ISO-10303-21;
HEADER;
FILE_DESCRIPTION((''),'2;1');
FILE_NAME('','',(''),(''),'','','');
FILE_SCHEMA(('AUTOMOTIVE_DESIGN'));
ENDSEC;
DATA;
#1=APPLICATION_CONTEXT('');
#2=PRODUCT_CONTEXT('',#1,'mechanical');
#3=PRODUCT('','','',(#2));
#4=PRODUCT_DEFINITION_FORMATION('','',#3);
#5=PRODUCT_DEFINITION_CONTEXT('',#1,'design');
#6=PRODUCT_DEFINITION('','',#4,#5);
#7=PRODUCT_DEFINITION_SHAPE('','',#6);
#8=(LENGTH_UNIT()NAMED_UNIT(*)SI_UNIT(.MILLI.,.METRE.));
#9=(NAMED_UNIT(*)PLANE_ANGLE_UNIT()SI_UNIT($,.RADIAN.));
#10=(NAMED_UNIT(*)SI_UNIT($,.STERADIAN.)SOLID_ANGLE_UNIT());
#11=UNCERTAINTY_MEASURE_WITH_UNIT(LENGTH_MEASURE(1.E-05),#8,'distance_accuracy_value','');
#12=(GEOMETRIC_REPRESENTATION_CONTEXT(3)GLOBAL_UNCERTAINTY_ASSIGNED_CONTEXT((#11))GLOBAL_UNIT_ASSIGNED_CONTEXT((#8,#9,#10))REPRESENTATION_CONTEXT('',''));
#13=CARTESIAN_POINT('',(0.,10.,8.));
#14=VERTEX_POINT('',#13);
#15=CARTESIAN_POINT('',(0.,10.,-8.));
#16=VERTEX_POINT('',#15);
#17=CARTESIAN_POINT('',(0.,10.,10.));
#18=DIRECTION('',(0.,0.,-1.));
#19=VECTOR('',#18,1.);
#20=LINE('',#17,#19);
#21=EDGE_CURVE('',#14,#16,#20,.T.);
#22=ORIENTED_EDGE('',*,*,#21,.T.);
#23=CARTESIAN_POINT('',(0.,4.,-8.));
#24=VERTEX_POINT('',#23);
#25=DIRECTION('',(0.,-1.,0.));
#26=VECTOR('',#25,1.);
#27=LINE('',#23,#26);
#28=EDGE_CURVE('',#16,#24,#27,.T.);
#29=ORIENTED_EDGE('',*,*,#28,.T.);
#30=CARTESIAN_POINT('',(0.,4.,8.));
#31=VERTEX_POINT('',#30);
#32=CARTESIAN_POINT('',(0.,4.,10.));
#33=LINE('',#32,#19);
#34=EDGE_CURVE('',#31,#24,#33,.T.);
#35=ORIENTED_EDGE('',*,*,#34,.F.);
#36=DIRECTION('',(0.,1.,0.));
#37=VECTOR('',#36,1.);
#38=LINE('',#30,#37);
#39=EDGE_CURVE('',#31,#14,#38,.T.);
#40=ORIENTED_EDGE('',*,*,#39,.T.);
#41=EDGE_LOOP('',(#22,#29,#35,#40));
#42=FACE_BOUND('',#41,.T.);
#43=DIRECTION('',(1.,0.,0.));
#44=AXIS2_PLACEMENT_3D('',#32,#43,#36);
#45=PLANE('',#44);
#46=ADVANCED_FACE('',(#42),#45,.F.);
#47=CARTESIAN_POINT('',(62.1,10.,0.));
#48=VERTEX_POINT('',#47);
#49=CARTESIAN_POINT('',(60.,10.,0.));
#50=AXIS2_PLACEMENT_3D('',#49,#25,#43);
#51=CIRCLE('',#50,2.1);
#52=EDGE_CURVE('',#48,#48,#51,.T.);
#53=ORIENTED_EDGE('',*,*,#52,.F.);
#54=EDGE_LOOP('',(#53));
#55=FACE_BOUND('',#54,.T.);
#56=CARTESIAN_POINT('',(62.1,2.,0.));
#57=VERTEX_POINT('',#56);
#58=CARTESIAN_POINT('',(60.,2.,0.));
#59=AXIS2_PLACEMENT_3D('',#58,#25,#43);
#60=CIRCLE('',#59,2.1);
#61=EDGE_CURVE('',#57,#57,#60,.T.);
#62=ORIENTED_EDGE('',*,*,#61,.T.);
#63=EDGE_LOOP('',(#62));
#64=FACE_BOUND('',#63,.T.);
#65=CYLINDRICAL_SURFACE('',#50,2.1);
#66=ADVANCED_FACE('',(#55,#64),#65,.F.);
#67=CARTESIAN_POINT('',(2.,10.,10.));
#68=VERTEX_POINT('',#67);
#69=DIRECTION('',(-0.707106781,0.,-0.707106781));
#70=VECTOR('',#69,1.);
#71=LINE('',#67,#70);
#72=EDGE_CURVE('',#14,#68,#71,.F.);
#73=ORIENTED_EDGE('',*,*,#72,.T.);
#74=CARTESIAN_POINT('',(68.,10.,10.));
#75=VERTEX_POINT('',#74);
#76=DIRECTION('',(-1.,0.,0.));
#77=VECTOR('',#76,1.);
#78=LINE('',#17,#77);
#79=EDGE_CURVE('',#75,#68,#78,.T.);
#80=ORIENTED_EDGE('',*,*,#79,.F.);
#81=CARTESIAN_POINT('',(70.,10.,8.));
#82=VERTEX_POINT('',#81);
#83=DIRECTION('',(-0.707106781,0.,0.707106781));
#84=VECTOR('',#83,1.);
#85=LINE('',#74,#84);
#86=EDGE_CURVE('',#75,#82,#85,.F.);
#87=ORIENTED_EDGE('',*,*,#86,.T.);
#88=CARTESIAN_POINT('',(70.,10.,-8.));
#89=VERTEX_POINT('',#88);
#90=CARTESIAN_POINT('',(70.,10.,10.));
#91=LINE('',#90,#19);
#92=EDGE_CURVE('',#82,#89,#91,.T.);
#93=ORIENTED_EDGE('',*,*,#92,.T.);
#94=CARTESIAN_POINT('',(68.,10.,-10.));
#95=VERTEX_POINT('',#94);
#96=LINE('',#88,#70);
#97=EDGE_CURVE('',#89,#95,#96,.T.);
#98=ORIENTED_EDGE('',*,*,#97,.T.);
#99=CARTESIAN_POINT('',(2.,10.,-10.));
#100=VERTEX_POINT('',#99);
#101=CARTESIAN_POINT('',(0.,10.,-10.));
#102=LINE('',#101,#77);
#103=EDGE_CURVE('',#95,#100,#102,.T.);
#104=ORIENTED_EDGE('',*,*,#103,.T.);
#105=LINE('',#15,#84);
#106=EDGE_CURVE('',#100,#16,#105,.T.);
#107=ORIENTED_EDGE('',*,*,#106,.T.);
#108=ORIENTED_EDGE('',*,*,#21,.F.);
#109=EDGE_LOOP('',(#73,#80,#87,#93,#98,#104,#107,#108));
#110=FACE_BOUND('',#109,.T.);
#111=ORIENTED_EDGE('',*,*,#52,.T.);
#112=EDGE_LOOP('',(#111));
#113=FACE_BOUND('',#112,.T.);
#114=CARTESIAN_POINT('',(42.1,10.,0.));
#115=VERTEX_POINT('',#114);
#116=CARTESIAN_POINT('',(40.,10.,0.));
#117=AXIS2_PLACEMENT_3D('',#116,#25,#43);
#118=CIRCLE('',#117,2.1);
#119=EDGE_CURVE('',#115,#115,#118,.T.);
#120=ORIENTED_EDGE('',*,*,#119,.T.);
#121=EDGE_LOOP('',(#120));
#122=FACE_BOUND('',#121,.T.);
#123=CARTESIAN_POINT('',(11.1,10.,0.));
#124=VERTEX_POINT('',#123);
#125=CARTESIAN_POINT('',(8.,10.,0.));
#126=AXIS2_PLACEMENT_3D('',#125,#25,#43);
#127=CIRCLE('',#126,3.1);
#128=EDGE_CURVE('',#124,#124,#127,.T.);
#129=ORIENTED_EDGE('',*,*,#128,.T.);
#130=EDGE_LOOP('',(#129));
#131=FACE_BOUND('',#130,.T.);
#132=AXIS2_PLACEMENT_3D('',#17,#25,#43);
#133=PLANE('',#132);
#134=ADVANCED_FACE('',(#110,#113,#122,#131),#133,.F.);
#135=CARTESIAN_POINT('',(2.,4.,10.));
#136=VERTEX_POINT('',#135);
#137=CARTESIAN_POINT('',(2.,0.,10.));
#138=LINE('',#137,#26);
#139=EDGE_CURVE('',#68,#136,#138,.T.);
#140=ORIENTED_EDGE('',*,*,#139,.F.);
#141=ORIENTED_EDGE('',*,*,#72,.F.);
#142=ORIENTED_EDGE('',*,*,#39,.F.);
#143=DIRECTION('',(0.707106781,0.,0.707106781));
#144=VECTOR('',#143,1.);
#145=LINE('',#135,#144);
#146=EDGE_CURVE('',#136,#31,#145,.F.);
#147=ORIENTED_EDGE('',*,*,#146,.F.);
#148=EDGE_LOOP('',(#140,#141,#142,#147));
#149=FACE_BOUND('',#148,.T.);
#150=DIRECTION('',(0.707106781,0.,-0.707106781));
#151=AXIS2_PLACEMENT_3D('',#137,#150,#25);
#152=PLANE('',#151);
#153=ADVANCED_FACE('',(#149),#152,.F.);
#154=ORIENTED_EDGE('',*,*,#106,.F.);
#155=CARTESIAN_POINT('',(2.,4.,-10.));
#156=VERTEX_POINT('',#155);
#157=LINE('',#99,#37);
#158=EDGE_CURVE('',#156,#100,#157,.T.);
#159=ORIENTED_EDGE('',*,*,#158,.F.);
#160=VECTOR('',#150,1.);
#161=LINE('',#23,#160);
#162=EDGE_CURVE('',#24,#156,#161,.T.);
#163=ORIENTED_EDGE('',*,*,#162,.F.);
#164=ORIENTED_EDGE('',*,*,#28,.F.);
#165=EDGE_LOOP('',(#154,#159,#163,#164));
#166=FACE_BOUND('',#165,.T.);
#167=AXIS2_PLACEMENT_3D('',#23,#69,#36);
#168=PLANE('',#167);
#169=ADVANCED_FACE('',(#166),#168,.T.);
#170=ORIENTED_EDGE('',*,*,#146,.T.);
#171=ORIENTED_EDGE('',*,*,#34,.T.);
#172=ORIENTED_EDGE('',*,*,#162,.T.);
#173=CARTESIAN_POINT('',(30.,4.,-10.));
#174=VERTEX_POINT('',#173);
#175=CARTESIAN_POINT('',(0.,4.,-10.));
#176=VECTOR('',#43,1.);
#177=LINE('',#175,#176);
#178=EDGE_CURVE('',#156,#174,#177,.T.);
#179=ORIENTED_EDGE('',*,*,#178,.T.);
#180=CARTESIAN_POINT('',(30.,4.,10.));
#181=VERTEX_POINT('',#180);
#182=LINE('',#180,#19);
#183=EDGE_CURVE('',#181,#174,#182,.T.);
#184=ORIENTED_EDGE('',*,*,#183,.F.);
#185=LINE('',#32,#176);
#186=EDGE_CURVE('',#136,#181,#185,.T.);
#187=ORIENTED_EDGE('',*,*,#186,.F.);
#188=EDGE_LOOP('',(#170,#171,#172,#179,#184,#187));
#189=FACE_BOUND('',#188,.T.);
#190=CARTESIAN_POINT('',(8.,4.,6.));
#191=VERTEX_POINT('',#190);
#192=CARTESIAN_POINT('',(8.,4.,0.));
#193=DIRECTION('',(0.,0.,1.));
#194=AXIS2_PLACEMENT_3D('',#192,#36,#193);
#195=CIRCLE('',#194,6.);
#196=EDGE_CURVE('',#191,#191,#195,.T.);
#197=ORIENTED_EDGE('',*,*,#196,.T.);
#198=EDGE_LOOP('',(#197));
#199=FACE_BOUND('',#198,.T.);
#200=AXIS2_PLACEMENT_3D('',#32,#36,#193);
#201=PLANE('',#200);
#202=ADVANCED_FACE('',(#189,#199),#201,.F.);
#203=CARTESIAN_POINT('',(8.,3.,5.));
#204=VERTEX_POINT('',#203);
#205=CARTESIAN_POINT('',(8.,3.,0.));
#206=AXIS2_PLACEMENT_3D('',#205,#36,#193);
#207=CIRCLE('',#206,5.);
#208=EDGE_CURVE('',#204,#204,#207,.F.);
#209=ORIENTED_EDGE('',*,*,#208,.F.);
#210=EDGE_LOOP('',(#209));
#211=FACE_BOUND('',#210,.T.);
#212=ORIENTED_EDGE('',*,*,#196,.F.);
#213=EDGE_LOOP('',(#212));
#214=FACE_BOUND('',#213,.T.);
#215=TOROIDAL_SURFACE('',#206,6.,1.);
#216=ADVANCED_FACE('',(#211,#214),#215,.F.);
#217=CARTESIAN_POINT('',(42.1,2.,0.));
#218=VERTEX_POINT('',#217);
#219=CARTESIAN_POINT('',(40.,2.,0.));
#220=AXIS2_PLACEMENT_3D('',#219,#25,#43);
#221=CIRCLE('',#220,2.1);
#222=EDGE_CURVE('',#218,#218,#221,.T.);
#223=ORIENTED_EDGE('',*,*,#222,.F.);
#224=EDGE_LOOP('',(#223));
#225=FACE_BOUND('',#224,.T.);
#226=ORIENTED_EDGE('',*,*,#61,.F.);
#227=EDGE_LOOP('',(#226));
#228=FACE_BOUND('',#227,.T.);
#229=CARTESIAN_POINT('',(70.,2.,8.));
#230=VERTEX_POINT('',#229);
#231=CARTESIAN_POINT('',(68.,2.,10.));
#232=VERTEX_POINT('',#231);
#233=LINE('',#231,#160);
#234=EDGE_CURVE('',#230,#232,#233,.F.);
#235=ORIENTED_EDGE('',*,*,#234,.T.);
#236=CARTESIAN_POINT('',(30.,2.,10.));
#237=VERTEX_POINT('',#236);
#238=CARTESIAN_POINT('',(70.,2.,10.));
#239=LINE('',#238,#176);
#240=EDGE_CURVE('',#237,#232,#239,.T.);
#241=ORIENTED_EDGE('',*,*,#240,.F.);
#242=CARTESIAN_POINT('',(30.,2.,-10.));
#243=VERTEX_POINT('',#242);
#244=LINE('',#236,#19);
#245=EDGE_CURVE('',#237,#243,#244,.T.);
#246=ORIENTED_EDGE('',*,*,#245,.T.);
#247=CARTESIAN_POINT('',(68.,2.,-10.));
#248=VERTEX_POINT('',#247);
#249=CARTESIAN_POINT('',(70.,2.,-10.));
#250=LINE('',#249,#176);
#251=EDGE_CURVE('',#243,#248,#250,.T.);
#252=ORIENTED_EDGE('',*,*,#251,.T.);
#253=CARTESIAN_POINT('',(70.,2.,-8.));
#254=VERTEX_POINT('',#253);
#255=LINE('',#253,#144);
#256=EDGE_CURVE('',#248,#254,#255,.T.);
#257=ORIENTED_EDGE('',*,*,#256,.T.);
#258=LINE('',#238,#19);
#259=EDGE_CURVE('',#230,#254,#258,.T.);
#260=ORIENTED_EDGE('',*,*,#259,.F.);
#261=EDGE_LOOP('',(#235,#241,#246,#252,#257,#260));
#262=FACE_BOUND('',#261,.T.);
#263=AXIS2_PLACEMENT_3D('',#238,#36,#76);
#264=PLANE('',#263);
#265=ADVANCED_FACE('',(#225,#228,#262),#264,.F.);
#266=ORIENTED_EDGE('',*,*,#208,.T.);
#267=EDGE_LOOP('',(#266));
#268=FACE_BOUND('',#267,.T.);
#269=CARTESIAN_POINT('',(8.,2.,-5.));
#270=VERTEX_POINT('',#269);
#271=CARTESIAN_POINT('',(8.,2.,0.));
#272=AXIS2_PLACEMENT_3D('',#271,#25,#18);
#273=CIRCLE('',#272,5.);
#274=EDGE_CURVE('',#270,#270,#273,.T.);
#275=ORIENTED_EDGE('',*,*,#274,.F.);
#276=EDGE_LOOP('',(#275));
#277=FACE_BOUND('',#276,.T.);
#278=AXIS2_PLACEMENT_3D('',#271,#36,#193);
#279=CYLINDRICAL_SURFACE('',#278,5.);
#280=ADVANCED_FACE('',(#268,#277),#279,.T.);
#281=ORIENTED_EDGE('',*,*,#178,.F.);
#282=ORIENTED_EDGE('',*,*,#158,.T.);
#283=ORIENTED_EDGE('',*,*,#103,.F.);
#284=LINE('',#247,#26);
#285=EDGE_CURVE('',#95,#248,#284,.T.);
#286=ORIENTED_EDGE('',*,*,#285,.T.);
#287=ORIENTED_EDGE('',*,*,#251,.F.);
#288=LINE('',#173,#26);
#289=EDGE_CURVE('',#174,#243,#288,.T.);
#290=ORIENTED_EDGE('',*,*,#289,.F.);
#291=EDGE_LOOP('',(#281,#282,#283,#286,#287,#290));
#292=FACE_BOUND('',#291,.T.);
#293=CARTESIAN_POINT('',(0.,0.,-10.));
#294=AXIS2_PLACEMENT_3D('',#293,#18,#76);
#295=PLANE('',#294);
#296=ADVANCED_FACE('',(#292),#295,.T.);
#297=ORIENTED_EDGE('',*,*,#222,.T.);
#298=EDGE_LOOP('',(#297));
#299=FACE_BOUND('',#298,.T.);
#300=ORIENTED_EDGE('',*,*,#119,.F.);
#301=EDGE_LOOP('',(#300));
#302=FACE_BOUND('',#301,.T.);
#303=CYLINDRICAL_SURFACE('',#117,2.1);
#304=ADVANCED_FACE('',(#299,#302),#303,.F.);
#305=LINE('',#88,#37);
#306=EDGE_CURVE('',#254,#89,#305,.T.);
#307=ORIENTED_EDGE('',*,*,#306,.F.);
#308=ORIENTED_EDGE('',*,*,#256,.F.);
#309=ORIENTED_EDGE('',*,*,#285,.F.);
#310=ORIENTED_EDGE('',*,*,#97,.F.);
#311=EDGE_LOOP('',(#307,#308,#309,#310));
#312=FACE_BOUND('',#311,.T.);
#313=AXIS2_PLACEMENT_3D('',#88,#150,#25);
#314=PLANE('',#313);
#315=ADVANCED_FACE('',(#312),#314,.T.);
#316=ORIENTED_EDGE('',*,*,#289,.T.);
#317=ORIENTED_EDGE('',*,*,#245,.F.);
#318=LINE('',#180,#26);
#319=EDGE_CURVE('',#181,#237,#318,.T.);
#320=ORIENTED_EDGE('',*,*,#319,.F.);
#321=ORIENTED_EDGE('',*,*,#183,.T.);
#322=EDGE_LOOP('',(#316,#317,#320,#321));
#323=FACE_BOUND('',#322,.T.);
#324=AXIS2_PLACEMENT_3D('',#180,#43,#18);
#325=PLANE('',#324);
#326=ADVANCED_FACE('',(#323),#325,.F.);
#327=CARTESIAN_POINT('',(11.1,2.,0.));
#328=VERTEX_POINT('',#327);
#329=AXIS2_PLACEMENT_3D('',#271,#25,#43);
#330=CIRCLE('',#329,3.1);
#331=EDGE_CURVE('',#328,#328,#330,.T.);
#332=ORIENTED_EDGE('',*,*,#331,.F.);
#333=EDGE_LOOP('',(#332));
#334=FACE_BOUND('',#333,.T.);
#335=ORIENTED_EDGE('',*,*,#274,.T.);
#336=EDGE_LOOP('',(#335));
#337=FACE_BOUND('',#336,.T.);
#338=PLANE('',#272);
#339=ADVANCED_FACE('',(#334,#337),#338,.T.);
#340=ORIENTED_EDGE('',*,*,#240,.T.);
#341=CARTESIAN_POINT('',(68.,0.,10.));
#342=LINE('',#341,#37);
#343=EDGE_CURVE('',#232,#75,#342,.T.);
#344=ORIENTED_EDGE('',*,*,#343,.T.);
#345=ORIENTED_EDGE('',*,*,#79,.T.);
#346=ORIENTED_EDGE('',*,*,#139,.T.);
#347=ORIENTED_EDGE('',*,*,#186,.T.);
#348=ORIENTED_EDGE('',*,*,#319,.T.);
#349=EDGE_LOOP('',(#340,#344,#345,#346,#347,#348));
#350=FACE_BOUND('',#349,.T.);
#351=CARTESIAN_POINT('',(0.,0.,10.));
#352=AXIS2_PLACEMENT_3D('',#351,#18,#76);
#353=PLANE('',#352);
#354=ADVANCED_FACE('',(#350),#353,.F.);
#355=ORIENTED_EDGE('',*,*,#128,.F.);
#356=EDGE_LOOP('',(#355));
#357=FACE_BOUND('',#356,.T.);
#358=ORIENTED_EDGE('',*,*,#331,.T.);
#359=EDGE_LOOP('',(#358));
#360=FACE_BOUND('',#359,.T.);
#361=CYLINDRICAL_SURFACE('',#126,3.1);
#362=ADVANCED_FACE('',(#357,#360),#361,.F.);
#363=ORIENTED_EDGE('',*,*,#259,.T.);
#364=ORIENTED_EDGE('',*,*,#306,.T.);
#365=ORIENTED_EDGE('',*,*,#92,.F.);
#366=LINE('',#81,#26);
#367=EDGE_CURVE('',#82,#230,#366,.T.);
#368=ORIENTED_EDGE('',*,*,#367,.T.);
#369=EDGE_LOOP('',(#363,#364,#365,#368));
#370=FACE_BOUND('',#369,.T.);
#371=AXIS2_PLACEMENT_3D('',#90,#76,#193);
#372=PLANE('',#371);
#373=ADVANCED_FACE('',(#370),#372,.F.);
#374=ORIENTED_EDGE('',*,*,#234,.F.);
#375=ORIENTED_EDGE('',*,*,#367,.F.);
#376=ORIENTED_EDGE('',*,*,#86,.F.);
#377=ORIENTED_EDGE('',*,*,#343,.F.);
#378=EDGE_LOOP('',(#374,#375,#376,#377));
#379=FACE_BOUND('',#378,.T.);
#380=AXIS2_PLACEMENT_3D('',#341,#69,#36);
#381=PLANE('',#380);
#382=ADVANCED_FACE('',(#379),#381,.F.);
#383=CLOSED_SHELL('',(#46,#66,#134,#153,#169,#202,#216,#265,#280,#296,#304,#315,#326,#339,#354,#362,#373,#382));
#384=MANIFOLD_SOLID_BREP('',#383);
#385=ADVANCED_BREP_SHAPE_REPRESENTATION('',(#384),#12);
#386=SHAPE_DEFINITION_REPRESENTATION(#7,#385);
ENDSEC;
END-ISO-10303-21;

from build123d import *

# Parameters (mm, degrees)
EXTRUDE_1_DEPTH     = 10
SKETCH_3_R          = 5
EXTRUDE_2_DEPTH     = 2
CHAMFER_1_SIZE      = 2
CHAMFER_2_SIZE      = 2
SKETCH_4_R          = 2.1
SKETCH_4_R_2        = 3.1
CUT_EXTRUDE_1_DEPTH = 72.161787499
FILLET_1_R          = 1


with BuildPart() as part:
    # 草图1 → 凸台-拉伸1 (new, symmetric)
    with BuildSketch(Plane.XY):
        Polygon((0, 4), (0, 10), (70, 10), (70, 2), (30, 2), (30, 4), align=None)
    extrude(amount=EXTRUDE_1_DEPTH, both=True)

    # 草图3 → 凸台-拉伸2 (add)
    with BuildSketch(Plane.XZ.offset(-4)):
        with Locations(Location((8, 0, 0), (0, 0, 90))):
            Circle(SKETCH_3_R)
    extrude(amount=EXTRUDE_2_DEPTH)

    # 倒角1
    chamfer_1_edges = [part.edges().sort_by_distance(p)[0] for p in [
        (0, 7, -10),
        (0, 7, 10),
    ]]
    chamfer(chamfer_1_edges, length=CHAMFER_1_SIZE)

    # 倒角2
    chamfer_2_edges = [part.edges().sort_by_distance(p)[0] for p in [
        (70, 6, 10),
        (70, 6, -10),
    ]]
    chamfer(chamfer_2_edges, length=CHAMFER_2_SIZE)

    # 草图4 → 切除-拉伸1 (cut, through all)
    with BuildSketch(Plane.XZ.offset(-2)):
        with Locations((40, 0)):
            Circle(SKETCH_4_R)
        with Locations((60, 0)):
            Circle(SKETCH_4_R)
        with Locations((8, 0)):
            Circle(SKETCH_4_R_2)
    extrude(amount=-CUT_EXTRUDE_1_DEPTH, mode=Mode.SUBTRACT)

    # 圆角1
    fillet_1_edges = [part.edges().sort_by_distance(p)[0] for p in [
        (8, 4, -5),
    ]]
    fillet(fillet_1_edges, radius=FILLET_1_R)


solid = part.part
